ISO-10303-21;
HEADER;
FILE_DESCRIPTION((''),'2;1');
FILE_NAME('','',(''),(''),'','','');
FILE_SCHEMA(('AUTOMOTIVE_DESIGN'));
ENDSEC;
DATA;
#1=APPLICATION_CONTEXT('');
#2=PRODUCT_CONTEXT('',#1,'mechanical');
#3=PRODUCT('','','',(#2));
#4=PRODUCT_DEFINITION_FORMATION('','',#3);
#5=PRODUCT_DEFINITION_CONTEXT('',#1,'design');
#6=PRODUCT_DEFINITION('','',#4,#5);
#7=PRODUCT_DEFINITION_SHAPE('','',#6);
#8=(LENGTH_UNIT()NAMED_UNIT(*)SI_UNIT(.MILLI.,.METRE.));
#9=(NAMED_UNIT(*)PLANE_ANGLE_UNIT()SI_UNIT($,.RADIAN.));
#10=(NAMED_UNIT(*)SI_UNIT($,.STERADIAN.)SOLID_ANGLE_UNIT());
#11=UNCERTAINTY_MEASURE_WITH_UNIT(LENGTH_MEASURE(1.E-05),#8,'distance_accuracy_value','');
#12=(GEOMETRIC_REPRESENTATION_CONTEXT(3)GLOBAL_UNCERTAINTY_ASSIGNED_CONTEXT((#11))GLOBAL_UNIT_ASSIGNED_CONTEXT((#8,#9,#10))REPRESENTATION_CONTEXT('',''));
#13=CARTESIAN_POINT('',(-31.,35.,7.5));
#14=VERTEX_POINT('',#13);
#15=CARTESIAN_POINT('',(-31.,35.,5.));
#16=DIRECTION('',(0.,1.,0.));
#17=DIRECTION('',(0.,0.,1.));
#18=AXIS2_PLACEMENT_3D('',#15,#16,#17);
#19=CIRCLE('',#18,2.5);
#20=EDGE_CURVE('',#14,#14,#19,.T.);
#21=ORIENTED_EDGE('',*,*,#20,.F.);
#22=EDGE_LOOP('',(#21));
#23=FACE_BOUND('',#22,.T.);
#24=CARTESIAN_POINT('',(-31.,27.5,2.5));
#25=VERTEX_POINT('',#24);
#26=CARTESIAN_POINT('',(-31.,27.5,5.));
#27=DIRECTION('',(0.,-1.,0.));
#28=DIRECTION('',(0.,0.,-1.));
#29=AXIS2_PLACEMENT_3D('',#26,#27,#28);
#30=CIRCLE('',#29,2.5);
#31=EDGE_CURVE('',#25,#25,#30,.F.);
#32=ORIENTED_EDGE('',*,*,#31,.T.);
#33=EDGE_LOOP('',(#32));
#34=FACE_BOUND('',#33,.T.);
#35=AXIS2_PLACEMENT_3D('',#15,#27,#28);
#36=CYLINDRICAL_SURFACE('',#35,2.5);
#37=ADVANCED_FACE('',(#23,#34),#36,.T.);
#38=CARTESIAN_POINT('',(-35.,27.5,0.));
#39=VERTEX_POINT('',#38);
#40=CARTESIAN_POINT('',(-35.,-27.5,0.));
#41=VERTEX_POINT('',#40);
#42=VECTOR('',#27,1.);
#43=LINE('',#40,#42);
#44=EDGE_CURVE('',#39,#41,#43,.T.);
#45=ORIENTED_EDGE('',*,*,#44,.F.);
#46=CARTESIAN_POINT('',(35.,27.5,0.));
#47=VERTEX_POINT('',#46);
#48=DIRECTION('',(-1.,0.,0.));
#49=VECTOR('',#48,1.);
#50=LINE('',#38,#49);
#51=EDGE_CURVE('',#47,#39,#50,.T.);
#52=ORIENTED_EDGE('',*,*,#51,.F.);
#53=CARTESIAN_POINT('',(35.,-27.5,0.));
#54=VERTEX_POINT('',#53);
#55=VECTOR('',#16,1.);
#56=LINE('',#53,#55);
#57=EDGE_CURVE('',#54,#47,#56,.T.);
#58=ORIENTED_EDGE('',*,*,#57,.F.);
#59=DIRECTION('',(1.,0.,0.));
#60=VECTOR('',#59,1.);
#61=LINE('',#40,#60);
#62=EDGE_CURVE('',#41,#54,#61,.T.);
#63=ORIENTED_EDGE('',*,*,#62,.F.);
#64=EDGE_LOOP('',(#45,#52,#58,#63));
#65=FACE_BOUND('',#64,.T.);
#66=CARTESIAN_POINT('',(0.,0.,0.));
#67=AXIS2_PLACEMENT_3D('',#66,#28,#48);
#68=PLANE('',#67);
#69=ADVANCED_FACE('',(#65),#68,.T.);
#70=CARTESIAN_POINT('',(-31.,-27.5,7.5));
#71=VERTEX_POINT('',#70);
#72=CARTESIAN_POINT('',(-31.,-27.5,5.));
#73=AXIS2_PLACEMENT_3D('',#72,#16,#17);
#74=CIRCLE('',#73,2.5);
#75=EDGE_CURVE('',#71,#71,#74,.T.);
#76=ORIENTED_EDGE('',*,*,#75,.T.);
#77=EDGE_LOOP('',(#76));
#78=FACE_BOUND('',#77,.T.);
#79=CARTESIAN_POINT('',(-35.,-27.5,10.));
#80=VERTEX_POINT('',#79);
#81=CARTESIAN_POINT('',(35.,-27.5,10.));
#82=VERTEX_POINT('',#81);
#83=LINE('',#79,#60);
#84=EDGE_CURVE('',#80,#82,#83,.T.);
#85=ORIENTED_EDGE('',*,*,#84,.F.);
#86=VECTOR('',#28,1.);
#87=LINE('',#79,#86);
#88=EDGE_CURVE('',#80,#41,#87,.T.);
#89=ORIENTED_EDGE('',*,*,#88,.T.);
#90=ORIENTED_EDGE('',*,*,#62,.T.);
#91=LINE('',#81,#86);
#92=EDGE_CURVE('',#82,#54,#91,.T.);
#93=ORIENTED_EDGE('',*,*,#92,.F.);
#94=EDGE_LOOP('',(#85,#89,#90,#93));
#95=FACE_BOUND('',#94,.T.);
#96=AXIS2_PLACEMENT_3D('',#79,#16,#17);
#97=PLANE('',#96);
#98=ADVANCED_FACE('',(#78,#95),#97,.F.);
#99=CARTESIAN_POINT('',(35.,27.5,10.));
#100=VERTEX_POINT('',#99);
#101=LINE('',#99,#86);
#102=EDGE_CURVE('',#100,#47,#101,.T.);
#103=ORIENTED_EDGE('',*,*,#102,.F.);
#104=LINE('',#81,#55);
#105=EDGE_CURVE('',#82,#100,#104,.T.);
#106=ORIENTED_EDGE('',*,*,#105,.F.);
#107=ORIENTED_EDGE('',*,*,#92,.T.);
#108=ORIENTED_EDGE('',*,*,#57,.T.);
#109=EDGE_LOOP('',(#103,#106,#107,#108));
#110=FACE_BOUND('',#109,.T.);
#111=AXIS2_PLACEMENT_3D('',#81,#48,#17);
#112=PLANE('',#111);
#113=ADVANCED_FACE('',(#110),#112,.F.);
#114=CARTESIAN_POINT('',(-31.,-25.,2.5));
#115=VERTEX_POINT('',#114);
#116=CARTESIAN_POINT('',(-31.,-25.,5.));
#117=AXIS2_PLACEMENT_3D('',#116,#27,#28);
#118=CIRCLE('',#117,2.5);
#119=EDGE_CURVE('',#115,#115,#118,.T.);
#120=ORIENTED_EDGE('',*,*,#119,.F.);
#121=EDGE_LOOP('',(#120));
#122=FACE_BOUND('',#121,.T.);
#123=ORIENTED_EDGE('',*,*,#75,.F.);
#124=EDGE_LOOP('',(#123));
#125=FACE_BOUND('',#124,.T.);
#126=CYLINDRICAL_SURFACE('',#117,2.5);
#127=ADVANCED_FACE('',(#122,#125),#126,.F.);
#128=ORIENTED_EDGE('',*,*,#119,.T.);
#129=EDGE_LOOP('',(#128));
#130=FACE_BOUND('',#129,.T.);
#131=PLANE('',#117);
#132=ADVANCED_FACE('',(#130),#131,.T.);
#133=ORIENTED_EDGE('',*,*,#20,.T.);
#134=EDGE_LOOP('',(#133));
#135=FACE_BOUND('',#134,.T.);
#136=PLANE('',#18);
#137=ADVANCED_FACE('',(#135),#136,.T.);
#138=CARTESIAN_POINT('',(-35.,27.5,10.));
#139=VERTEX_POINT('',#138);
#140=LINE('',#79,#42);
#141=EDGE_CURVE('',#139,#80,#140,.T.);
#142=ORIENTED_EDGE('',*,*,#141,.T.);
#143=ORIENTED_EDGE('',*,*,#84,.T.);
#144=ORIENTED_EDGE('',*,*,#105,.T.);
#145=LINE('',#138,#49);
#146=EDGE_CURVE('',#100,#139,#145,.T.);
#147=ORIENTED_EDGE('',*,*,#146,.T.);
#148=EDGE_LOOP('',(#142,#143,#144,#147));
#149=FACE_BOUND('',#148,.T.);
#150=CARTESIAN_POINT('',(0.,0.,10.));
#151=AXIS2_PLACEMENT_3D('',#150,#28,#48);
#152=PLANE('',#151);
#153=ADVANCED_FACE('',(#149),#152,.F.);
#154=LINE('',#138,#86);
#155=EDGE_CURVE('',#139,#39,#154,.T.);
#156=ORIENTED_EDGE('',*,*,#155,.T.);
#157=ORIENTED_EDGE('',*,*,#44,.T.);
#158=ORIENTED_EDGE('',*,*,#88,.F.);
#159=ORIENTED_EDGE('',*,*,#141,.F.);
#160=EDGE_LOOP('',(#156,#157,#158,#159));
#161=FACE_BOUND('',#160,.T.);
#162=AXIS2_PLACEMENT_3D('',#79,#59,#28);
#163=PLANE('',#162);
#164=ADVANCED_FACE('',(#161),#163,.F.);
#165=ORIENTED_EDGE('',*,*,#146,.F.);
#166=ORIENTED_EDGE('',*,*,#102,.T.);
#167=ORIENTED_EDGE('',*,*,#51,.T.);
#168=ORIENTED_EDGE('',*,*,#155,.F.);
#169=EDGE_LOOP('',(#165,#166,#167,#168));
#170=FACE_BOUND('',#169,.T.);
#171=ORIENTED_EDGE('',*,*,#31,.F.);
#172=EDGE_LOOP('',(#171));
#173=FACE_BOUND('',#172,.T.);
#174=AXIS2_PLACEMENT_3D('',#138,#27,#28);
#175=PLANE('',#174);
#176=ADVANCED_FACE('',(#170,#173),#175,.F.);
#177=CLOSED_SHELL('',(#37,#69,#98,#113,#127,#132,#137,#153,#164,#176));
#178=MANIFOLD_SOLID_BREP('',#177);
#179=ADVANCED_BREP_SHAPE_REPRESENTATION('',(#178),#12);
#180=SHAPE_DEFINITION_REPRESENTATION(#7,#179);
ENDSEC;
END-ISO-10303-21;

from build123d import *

# Parameters (mm, degrees)
SKETCH1_W           = 70
SKETCH1_H           = 55
BOSS_EXTRUDE1_DEPTH = 10
SKETCH2_R           = 2.5
BOSS_EXTRUDE2_DEPTH = 35
SKETCH3_R           = 2.5
CUT_EXTRUDE1_DEPTH  = 10


with BuildPart() as part:
    # Sketch1 → Boss-Extrude1 (new body)
    with BuildSketch(Plane.XY):
        Rectangle(SKETCH1_W, SKETCH1_H)
    extrude(amount=BOSS_EXTRUDE1_DEPTH)

    # Sketch2 → Boss-Extrude2 (add, symmetric)
    with BuildSketch(Plane(origin=(0, 0, 0), x_dir=(1, 0, 0), z_dir=(0, 1, 0))):
        with Locations((-31, -5)):
            Circle(SKETCH2_R)
    extrude(amount=BOSS_EXTRUDE2_DEPTH, both=True)

    # Sketch3 → Cut-Extrude1 (cut)
    with BuildSketch(Plane.XZ.offset(35)):
        with Locations((-31, 5)):
            Circle(SKETCH3_R)
    extrude(amount=-CUT_EXTRUDE1_DEPTH, mode=Mode.SUBTRACT)


solid = part.part
